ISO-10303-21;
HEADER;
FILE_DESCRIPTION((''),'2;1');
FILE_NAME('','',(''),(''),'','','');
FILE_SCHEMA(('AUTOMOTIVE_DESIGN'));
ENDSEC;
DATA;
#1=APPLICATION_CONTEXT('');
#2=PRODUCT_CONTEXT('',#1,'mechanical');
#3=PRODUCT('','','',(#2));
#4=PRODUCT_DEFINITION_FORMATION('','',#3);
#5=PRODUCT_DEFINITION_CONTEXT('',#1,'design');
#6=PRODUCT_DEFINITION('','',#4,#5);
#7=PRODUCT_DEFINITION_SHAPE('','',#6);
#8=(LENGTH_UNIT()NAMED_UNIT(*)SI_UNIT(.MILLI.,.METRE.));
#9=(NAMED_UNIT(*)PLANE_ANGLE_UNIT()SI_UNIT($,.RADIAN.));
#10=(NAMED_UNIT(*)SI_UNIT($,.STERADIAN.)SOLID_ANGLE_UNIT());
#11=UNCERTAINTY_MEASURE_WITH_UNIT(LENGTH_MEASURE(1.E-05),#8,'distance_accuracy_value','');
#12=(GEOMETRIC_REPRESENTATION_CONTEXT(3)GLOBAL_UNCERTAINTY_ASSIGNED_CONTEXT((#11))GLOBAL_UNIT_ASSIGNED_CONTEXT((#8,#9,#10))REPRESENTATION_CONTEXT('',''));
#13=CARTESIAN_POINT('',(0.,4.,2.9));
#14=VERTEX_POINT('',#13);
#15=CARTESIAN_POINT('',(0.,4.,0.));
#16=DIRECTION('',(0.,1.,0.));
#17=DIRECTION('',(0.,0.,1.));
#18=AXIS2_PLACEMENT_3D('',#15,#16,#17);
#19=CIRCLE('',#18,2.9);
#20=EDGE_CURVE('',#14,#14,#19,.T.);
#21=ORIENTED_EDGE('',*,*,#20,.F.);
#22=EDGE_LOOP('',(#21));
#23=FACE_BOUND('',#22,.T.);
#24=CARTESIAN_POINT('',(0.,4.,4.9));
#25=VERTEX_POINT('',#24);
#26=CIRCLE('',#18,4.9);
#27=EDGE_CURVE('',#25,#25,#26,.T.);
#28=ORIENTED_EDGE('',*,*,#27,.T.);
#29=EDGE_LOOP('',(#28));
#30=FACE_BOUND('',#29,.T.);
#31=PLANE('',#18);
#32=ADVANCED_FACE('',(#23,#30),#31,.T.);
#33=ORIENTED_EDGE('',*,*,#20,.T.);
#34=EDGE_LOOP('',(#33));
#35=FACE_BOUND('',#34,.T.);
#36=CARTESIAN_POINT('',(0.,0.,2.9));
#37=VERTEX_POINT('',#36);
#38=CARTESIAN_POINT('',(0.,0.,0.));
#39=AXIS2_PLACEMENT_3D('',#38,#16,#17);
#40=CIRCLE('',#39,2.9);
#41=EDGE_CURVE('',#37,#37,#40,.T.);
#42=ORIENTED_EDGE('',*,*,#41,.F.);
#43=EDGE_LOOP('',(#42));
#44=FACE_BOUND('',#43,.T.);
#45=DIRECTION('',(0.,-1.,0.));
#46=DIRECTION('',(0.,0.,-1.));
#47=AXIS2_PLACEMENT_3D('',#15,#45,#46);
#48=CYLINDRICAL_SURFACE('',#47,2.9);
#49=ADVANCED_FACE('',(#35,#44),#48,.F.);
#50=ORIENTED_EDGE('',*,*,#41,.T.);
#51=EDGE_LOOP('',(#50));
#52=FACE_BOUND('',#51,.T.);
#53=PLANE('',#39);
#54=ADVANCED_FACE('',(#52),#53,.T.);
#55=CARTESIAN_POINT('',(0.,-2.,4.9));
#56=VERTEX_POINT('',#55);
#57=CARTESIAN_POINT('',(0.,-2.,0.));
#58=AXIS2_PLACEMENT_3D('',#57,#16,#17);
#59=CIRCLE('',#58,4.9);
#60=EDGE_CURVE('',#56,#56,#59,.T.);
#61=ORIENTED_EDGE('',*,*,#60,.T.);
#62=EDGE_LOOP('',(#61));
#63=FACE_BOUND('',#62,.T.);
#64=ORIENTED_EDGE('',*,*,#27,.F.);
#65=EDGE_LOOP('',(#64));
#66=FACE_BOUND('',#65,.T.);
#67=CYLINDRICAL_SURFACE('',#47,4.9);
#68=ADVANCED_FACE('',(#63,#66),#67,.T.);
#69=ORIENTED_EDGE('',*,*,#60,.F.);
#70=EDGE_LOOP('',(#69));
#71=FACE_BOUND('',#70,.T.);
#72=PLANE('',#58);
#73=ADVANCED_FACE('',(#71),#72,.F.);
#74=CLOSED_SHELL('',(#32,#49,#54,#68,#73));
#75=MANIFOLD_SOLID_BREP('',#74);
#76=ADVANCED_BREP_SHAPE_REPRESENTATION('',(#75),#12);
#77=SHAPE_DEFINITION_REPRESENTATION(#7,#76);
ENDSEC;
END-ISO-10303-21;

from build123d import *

# Parameters (mm, degrees)
SKETCH1_R           = 4.9
SKETCH1_R_2         = 2.9
BOSS_EXTRUDE1_DEPTH = 4
BOSS_EXTRUDE2_START = -2
SKETCH1_2_R         = 4.9
BOSS_EXTRUDE2_DEPTH = 2


with BuildPart() as part:
    # Sketch1 → Boss-Extrude1 (new body)
    with BuildSketch(Plane(origin=(0, 0, 0), x_dir=(1, 0, 0), z_dir=(0, 1, 0))):
        Circle(SKETCH1_R)
        Circle(SKETCH1_R_2, mode=Mode.SUBTRACT)
    extrude(amount=BOSS_EXTRUDE1_DEPTH)

    # Sketch1<2> → Boss-Extrude2 (add)
    with BuildSketch(Plane(origin=(0, 0, 0), x_dir=(1, 0, 0), z_dir=(0, 1, 0)).offset(BOSS_EXTRUDE2_START)):
        Circle(SKETCH1_2_R)
    extrude(amount=BOSS_EXTRUDE2_DEPTH)


solid = part.part
